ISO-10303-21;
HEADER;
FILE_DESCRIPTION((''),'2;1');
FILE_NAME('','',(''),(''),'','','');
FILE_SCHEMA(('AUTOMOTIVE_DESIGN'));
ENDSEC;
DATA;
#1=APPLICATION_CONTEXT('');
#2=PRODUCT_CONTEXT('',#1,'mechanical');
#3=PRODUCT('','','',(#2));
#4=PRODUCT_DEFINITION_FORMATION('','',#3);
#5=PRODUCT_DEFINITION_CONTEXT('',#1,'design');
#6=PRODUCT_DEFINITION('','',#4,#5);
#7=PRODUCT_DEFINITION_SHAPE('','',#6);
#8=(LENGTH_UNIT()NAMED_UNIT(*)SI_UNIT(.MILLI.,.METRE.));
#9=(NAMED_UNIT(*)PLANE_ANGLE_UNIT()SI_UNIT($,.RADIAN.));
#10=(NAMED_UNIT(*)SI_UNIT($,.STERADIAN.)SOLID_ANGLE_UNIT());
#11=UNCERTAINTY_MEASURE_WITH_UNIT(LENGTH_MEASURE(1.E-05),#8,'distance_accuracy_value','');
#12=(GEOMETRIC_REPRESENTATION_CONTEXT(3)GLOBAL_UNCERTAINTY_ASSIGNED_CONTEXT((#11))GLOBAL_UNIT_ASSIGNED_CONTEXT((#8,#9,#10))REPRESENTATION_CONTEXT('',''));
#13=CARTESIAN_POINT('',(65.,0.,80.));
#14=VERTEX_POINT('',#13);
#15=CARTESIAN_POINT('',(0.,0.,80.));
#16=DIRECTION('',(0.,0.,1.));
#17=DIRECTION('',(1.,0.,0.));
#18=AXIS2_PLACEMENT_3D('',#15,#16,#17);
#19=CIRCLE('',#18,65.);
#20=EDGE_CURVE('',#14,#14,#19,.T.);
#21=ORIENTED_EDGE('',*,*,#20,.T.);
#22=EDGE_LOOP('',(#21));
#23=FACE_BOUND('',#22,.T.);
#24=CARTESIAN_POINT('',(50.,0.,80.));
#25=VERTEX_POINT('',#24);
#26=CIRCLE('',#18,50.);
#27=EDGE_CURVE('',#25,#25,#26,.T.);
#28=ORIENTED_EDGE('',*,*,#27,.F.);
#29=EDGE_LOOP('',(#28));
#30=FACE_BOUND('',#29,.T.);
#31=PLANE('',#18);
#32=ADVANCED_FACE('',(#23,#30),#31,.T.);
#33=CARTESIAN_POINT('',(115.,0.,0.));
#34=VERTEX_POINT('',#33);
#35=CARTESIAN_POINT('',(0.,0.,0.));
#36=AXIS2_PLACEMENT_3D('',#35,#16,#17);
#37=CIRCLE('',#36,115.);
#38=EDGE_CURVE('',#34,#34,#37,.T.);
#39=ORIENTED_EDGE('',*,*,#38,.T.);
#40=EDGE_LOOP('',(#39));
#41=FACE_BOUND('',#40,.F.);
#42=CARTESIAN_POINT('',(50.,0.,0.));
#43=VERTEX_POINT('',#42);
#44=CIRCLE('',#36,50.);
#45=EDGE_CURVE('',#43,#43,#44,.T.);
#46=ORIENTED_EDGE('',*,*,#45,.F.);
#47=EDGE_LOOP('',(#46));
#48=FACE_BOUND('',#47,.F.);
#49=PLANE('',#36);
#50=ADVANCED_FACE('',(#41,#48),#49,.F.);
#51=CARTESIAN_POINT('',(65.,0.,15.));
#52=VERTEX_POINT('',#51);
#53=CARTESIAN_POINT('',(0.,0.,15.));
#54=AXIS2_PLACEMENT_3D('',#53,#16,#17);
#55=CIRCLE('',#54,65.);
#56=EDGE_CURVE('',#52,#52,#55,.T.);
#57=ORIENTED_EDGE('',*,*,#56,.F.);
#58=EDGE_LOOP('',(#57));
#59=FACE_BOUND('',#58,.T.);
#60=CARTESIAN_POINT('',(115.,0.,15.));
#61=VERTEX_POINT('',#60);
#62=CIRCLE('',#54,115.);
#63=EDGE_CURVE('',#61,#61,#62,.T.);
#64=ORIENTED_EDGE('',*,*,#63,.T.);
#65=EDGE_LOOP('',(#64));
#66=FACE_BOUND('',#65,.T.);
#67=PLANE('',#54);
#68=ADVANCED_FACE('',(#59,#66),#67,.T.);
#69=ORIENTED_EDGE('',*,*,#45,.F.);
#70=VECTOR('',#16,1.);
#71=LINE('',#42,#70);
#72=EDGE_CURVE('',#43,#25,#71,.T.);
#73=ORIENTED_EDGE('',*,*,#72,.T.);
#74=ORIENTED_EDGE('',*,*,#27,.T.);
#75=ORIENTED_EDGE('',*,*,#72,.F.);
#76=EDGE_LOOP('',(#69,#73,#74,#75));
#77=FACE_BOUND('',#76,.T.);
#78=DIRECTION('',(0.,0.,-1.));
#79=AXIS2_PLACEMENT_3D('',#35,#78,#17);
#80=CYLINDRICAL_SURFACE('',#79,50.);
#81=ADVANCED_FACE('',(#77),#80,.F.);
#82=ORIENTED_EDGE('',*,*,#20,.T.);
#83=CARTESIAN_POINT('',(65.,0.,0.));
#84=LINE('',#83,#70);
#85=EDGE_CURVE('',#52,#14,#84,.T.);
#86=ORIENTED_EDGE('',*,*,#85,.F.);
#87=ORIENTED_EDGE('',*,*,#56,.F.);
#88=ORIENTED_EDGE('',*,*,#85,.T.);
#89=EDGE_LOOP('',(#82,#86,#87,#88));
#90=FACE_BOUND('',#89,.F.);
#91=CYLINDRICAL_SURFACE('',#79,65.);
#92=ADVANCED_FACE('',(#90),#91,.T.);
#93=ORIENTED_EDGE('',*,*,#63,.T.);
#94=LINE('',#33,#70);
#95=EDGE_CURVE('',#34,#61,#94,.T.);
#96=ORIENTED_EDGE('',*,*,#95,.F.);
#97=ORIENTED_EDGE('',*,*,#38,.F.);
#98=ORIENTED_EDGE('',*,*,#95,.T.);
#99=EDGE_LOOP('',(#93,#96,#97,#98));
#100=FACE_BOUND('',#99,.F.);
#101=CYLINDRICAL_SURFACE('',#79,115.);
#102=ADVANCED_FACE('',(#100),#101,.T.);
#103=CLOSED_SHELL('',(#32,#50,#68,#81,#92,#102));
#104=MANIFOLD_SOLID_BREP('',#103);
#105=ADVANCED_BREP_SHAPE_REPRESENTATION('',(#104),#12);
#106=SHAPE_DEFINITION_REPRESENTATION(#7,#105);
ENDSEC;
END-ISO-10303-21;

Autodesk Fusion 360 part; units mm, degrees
sketch "Sketch1" plane through (0, 0, 0) normal (0, 0, 1) x (1, 0, 0)
  circle A0 centre (0, 0) radius 115
  circle A1 centre (0, 0) radius 87.5 construction
  circle A2 centre (0, 0) radius 65
  circle A3 centre (0, 0) radius 50
  dimension "d1" = 230
  dimension "d2" = 175
  dimension "d3" = 130
  dimension "d4" = 100
extrude "Extrude1" add sketch "Sketch1" along normal blind 15 contours A0
extrude "Extrude2" add sketch "Sketch1" along normal blind 80 contours A2
sketch "Sketch2" plane through (0, 0, 15) normal (0, 0, 1) x (-1, 0, 0)
  circle A0 centre (0, 0) radius 65
  circle A1 centre (0, 0) radius 115
  circle A2 centre (0, 0) radius 87.5
  line L0 (0, 0) -> (0, -122.0079) construction
  line L1 (0, 0) -> (50.2765, -121.3782) construction
  circle A3 centre (33.4848, -80.8395) radius 7.5
  dimension "d11" = 22.5
  dimension "d12" = 15
extrude "Extrude3" cut sketch "Sketch2" along normal through all contours A2 A3 | A2 A3 picked at (32.6894, -78.4443) picked at (34.4384, -83.1246)
pattern_circular "C-Pattern1" count 8 over 360 about axis through (0, 0, 0) along (0, 0, 1) of "Extrude3"
